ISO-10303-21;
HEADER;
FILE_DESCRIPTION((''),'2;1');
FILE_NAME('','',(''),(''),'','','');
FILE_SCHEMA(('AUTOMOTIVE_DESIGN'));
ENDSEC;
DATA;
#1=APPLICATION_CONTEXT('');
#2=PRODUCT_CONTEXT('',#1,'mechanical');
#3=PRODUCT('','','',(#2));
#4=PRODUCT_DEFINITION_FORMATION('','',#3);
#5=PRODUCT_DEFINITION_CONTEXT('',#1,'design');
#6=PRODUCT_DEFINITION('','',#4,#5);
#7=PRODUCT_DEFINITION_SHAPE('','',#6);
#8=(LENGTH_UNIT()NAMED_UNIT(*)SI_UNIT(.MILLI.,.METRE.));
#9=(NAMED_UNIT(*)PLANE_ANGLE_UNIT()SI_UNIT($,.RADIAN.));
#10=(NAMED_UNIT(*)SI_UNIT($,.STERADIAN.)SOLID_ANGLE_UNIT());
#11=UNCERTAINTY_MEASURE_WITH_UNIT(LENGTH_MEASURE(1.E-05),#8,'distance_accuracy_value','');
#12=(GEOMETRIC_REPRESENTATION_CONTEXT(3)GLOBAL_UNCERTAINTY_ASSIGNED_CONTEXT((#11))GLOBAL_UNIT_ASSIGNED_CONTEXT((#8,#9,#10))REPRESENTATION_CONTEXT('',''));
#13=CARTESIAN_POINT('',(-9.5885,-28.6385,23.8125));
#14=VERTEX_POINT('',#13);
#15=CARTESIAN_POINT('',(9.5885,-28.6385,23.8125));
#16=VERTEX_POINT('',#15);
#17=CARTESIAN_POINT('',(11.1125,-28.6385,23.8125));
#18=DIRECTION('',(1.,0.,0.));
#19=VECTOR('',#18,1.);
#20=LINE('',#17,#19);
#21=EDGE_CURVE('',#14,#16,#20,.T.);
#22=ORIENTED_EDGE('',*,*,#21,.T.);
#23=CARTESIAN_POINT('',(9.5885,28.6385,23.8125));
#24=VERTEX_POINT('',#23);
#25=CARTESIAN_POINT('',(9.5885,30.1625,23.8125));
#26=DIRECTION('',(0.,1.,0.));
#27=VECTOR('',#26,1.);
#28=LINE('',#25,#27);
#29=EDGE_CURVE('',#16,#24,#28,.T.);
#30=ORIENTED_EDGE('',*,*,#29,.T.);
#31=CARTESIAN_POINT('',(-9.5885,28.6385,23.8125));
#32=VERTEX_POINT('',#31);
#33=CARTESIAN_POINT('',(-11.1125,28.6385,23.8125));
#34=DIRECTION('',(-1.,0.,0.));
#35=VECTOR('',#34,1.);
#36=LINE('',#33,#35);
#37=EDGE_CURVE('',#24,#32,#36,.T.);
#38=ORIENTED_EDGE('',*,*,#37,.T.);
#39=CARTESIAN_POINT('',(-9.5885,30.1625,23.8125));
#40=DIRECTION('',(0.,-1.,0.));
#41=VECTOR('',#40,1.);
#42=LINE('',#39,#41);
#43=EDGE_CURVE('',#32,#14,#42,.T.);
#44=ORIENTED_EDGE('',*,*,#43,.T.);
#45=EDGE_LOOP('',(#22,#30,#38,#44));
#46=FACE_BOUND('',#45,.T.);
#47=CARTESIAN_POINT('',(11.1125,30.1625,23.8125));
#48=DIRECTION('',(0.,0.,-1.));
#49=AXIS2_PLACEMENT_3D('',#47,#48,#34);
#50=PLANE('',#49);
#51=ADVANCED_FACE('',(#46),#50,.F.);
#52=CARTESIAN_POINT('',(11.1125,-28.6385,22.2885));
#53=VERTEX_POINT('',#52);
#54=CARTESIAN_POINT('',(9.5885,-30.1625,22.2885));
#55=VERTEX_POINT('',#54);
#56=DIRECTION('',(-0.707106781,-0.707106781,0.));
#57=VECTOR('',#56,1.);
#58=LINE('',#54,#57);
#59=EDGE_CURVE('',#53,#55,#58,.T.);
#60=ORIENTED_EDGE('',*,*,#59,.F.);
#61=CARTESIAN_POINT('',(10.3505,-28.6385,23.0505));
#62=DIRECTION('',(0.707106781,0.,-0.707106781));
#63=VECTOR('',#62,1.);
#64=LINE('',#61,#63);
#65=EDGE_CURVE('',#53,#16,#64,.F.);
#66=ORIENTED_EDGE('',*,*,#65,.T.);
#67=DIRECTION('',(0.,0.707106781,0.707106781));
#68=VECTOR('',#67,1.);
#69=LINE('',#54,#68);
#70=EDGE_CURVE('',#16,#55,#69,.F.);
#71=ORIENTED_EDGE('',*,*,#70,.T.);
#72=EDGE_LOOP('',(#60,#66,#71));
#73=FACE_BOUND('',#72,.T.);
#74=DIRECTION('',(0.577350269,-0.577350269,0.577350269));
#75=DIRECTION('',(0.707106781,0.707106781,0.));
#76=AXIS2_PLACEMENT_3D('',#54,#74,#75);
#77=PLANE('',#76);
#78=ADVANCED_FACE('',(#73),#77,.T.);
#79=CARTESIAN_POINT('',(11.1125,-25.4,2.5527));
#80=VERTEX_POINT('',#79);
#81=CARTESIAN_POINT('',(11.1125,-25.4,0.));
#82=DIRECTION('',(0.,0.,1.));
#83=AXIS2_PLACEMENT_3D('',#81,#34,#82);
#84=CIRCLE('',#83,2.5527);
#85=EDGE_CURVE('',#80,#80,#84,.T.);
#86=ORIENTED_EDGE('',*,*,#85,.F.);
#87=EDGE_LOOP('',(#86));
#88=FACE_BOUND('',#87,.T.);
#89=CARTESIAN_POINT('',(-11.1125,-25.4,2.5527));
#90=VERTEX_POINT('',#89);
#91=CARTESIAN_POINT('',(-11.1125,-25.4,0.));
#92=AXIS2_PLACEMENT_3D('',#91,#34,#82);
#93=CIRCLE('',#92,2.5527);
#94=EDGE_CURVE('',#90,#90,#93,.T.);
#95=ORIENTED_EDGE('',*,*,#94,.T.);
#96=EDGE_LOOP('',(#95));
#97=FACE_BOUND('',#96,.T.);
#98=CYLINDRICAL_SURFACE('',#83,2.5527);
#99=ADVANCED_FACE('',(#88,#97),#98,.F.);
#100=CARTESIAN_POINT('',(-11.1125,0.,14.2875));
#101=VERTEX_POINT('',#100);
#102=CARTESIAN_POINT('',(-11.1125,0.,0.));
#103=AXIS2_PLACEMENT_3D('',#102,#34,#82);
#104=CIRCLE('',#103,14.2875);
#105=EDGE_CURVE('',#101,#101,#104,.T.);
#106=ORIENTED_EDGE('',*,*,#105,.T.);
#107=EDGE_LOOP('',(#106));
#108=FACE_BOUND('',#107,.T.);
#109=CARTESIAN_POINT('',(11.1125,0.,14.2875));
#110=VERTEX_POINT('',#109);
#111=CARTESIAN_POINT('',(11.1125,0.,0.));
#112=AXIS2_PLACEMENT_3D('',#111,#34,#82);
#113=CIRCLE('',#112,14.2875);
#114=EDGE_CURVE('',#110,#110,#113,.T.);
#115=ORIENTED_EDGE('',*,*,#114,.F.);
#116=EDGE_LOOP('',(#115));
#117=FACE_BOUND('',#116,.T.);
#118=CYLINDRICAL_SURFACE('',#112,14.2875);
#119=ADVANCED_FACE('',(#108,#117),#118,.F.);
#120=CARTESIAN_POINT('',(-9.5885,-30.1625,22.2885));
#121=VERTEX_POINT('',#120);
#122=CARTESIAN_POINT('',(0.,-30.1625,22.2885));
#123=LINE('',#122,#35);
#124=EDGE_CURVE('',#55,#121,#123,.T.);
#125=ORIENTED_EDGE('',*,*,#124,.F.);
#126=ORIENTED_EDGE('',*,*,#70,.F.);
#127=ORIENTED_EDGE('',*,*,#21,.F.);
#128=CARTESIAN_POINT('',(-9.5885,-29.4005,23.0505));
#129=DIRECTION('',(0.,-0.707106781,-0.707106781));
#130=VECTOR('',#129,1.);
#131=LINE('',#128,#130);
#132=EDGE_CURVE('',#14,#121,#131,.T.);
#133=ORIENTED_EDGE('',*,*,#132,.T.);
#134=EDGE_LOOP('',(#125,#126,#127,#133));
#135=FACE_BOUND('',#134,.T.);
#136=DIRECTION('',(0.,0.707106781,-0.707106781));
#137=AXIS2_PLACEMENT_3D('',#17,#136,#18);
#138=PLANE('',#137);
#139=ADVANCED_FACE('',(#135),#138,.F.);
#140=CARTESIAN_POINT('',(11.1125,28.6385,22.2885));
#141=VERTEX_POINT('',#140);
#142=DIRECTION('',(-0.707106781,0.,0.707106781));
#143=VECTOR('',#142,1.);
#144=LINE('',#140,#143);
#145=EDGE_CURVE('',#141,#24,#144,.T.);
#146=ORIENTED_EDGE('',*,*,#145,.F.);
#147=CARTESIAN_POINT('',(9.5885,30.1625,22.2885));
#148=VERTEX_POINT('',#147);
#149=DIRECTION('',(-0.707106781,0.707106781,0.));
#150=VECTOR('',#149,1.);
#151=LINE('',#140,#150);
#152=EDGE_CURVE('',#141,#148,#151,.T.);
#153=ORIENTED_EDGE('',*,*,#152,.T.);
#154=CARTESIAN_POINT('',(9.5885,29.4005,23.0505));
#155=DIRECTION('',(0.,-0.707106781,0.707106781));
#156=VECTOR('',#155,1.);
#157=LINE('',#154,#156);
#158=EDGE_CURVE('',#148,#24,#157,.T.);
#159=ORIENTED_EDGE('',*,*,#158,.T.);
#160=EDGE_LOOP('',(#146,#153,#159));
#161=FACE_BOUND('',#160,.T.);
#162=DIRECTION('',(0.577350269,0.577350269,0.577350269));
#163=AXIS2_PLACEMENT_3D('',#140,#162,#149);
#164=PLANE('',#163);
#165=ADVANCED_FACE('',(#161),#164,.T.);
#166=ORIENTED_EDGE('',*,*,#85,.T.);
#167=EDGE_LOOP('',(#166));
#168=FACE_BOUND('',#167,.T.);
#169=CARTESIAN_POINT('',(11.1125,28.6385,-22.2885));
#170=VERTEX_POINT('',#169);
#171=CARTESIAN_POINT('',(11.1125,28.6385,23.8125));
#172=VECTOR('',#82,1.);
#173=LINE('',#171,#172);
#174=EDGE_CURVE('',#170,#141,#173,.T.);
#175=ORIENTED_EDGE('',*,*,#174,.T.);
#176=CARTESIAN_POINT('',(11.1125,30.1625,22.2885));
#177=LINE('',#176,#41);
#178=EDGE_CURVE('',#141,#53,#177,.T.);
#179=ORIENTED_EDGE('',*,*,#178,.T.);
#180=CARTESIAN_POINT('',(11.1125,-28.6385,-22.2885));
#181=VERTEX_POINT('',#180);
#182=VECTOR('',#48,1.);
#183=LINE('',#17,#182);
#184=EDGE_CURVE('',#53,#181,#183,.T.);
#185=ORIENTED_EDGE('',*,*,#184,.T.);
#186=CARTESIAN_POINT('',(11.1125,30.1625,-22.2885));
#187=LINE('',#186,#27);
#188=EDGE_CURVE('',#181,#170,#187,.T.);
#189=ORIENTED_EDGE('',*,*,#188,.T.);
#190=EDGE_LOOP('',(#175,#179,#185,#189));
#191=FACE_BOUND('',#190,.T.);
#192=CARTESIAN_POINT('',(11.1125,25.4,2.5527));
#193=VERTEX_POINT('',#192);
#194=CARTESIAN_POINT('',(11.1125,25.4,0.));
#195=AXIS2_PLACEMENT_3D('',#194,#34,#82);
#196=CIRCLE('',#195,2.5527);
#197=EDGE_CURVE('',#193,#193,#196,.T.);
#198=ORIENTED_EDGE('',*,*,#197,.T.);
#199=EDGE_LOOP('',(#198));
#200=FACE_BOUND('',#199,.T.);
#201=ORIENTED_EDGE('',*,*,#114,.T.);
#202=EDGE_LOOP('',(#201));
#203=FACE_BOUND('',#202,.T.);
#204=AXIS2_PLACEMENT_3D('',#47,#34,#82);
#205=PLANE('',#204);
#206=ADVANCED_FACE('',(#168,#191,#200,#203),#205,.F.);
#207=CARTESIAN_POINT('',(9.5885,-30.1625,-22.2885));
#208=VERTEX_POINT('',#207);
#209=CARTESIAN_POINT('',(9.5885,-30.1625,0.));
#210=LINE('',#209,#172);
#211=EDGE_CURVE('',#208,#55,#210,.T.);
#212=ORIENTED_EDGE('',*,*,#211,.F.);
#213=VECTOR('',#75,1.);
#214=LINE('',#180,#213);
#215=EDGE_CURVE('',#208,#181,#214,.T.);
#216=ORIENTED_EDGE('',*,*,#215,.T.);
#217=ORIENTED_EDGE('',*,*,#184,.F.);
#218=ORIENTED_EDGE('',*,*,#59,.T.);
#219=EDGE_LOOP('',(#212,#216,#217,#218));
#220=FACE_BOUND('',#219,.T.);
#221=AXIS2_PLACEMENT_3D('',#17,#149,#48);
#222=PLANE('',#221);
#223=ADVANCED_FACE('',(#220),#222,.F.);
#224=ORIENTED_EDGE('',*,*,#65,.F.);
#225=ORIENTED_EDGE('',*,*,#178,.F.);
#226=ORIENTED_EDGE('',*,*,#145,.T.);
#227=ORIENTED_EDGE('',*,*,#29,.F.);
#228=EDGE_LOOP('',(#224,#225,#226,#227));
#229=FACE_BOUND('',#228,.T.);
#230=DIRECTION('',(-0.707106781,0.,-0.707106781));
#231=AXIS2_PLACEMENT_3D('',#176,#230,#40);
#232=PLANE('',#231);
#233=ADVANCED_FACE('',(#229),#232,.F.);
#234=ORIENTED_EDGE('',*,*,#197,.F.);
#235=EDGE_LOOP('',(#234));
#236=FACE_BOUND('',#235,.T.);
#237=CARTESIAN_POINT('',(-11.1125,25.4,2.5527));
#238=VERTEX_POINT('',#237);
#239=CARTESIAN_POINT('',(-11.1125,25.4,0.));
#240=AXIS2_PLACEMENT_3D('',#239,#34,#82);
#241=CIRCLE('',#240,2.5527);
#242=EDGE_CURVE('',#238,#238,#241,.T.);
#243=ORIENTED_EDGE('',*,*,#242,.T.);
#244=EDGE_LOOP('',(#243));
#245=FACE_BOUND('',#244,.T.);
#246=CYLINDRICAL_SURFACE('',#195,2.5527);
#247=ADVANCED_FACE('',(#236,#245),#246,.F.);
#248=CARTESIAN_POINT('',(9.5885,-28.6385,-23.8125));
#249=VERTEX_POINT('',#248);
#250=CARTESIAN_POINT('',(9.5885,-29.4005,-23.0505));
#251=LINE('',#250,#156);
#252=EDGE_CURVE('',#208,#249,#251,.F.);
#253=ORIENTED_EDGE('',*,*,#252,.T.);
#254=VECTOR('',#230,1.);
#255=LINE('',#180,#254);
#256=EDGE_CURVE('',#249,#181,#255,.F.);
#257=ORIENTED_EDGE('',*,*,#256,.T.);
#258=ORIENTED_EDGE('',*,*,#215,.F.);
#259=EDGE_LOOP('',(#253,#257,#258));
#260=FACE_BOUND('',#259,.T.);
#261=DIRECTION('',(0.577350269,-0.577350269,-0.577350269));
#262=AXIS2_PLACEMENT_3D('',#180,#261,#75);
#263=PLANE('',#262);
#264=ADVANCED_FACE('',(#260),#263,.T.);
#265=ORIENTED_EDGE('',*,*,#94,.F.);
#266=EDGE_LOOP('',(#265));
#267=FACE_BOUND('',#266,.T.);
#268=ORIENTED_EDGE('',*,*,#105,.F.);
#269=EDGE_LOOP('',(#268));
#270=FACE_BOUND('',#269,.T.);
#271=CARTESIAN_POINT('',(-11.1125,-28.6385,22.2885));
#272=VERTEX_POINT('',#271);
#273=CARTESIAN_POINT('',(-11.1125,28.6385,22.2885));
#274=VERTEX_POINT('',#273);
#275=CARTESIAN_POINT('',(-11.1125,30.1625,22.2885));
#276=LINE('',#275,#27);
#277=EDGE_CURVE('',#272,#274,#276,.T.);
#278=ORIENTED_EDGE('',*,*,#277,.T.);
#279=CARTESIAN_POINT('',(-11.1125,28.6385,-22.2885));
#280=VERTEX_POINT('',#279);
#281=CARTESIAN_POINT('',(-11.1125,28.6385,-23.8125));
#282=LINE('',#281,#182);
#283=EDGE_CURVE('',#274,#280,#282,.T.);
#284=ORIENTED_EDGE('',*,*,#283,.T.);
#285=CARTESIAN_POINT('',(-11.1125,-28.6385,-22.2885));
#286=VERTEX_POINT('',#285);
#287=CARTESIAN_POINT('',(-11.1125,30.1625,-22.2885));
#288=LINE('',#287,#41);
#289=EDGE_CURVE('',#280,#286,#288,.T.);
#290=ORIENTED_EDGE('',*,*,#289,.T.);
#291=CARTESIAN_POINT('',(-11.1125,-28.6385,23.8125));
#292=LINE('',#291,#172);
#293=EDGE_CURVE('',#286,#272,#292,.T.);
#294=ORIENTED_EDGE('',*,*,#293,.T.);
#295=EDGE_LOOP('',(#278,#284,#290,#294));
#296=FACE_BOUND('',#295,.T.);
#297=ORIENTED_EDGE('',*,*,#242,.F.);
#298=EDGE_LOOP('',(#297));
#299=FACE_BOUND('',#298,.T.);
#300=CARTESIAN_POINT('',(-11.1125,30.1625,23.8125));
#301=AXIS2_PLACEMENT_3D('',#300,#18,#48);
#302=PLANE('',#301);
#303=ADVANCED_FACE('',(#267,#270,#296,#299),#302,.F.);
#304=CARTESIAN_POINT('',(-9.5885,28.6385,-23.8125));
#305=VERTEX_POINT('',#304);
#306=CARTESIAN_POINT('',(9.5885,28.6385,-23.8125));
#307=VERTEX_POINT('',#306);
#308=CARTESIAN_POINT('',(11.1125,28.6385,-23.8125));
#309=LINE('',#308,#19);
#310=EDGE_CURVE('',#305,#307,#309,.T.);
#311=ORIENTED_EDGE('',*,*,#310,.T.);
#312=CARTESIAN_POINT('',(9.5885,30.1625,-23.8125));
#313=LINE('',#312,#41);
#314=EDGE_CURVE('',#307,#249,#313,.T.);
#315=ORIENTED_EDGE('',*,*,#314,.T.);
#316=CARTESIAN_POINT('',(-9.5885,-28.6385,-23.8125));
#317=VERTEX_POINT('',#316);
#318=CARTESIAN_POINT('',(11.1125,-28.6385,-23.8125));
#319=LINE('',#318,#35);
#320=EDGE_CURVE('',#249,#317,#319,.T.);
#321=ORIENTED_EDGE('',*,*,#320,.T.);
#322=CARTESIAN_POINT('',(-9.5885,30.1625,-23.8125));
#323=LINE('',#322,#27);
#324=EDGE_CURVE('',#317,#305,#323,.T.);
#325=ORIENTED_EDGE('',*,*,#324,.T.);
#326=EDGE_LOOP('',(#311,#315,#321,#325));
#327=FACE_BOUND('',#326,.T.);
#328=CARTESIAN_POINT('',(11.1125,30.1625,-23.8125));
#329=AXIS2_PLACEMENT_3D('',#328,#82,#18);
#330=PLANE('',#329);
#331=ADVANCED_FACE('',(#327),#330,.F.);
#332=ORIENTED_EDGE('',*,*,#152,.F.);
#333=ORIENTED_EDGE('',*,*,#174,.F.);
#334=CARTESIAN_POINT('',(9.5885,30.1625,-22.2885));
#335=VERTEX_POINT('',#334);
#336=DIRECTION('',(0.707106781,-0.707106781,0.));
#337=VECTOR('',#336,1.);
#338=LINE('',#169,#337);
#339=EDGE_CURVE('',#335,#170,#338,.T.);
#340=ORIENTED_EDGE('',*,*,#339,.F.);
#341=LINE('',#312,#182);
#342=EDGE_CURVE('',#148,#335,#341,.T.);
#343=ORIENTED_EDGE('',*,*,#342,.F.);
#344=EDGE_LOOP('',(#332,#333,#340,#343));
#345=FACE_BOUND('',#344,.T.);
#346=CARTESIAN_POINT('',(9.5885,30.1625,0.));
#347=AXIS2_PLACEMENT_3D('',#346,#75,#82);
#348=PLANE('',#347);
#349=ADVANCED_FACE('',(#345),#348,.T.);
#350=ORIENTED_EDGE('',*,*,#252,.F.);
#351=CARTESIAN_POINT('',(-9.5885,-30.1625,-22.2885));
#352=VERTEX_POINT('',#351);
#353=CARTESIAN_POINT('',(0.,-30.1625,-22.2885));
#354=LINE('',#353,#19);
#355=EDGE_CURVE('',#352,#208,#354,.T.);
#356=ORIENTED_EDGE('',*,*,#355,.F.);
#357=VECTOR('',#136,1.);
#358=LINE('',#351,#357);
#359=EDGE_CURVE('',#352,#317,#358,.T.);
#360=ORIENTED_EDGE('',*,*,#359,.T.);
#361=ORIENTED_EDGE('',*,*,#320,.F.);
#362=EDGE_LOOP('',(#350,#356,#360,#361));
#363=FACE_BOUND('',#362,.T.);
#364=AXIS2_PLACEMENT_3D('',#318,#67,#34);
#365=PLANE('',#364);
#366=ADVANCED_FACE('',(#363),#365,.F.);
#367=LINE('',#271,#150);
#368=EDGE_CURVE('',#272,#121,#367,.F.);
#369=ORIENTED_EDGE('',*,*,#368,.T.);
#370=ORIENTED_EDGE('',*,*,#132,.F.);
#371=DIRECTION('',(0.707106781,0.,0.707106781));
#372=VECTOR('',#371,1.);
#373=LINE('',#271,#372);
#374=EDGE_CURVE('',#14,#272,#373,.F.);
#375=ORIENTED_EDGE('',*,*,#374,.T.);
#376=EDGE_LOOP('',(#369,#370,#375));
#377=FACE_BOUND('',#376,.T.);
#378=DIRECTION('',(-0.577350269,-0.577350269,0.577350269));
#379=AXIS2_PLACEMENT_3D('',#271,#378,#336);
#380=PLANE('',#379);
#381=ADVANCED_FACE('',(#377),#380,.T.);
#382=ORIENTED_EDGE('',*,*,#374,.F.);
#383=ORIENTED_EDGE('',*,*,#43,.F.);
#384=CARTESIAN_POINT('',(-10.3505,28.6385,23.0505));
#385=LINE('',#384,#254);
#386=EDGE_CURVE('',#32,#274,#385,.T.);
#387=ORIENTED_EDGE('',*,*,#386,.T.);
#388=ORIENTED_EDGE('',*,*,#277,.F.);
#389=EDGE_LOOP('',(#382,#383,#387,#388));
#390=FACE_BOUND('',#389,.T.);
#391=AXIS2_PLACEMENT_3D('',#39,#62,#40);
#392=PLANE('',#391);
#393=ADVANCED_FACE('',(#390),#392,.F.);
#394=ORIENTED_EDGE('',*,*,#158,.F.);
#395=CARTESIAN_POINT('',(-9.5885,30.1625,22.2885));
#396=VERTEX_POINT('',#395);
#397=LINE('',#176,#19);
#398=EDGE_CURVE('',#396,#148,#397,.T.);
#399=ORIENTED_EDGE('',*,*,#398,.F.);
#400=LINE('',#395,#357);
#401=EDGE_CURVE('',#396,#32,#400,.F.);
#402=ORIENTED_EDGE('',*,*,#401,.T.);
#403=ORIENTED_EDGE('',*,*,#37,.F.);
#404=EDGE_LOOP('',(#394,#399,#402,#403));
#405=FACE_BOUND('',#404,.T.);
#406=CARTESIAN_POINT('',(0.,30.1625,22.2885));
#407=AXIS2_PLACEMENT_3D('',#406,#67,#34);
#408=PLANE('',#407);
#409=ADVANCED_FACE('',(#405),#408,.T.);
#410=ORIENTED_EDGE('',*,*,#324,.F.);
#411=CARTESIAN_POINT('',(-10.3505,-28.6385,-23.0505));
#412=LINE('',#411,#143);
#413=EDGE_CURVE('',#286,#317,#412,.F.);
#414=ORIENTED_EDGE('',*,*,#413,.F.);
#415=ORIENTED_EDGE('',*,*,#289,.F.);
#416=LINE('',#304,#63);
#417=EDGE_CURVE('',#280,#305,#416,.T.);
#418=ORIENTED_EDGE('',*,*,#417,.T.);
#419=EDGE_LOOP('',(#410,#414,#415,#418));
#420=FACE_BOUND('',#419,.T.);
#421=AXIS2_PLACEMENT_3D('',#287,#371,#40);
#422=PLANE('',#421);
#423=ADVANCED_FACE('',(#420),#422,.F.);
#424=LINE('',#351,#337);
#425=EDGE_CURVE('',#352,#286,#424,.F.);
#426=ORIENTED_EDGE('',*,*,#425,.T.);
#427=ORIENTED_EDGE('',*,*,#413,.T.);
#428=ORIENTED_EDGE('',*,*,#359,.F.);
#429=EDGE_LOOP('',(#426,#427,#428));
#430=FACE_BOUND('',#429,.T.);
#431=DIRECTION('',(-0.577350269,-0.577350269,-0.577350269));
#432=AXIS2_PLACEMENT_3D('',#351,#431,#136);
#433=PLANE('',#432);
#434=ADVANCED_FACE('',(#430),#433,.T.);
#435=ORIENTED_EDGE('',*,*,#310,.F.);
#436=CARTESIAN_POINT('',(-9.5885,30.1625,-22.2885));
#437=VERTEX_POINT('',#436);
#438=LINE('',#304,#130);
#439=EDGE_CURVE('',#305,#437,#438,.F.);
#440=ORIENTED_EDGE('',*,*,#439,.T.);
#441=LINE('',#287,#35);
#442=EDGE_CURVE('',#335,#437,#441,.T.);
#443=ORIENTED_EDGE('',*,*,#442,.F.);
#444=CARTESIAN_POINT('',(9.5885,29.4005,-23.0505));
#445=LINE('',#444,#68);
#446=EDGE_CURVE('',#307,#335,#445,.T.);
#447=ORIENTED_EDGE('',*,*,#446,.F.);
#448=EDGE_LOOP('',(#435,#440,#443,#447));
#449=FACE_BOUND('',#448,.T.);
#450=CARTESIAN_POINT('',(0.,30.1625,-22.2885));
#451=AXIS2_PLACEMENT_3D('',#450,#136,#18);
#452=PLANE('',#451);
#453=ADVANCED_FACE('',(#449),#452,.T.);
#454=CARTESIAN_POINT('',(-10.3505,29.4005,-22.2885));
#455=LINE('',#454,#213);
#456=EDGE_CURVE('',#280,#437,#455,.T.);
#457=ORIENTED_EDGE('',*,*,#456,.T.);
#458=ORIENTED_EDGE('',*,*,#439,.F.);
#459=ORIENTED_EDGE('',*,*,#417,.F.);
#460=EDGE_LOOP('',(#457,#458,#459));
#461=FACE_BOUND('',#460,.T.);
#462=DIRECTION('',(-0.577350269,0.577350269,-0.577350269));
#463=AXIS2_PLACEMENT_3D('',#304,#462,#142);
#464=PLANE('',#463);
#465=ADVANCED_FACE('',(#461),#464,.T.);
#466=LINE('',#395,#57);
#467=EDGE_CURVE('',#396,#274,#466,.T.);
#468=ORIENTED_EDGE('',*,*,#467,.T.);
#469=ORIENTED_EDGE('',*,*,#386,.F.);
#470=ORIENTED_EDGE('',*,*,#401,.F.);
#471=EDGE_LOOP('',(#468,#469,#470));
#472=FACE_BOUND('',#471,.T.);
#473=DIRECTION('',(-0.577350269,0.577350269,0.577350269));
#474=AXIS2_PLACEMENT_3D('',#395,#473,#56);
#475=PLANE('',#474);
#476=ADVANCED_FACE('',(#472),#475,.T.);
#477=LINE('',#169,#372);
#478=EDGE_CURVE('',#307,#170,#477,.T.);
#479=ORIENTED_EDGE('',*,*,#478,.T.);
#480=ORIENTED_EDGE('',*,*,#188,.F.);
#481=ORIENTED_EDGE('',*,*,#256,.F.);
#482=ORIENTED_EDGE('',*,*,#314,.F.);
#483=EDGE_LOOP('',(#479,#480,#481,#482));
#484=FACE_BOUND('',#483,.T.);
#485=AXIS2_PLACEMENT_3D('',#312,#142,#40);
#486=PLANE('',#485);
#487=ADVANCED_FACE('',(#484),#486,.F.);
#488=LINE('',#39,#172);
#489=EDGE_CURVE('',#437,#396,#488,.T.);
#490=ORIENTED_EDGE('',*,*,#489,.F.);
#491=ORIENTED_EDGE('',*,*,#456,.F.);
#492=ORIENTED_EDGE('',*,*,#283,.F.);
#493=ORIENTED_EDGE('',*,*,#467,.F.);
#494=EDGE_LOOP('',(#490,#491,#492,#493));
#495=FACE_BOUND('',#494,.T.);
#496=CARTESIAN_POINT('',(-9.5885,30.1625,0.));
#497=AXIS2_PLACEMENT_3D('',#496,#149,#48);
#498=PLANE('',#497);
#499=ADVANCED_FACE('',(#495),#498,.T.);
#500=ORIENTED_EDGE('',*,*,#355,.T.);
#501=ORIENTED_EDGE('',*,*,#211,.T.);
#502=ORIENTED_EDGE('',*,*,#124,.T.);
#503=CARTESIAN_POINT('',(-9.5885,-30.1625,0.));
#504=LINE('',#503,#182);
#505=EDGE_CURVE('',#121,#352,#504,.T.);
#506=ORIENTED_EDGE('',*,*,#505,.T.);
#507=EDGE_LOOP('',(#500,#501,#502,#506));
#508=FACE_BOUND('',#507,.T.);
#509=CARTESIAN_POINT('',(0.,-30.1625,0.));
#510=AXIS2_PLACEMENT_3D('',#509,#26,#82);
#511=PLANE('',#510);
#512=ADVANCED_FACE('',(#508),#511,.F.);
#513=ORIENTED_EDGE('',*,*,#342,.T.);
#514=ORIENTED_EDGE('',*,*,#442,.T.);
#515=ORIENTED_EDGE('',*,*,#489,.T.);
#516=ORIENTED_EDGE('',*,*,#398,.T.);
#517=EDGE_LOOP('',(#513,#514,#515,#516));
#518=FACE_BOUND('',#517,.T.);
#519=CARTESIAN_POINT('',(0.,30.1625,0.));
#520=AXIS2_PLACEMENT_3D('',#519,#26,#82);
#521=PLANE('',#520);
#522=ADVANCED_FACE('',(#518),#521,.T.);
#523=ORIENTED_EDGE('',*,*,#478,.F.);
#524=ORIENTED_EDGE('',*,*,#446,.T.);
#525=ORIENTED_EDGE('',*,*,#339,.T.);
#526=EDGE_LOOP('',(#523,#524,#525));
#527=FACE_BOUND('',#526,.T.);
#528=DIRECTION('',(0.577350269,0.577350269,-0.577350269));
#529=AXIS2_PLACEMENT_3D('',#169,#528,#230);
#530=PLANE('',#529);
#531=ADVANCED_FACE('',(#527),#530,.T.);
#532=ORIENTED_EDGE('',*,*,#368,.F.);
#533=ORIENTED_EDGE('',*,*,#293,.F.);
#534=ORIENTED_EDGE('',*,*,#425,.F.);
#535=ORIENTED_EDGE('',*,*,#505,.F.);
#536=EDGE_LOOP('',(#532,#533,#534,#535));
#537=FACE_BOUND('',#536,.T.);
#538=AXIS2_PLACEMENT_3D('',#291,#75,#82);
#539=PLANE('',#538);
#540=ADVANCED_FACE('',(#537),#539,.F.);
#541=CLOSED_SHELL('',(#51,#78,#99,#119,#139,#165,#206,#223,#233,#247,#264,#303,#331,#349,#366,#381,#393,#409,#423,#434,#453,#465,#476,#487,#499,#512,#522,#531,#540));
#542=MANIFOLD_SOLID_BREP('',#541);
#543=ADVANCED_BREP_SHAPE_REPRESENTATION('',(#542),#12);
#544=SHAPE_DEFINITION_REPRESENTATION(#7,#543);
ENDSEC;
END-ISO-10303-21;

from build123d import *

# Parameters (mm, degrees)
SKETCH1_W           = 22.225
SKETCH1_H           = 47.625
BOSS_EXTRUDE1_DEPTH = 30.1625
SKETCH2_R           = 14.2875
SKETCH2_R_2         = 2.5527
CUT_EXTRUDE1_DEPTH  = 45.393267367
CHAMFER1_SIZE       = 1.524


with BuildPart() as part:
    # Sketch1 → Boss-Extrude1 (new, symmetric)
    with BuildSketch(Plane(origin=(0, 0, 0), x_dir=(1, 0, 0), z_dir=(0, 1, 0))):
        Rectangle(SKETCH1_W, SKETCH1_H)
    extrude(amount=BOSS_EXTRUDE1_DEPTH, both=True)

    # Sketch2 → Cut-Extrude1 (cut, through all)
    with BuildSketch(Plane.ZY.offset(11.1125)):
        Circle(SKETCH2_R)
        with Locations((0, 25.4)):
            Circle(SKETCH2_R_2)
        with Locations((0, -25.4)):
            Circle(SKETCH2_R_2)
    extrude(amount=-CUT_EXTRUDE1_DEPTH, mode=Mode.SUBTRACT)

    # Chamfer1
    chamfer1_edges = [part.edges().sort_by_distance(p)[0] for p in [
        (11.1125, 30.1625, 0),
        (0, 30.1625, -23.8125),
        (-11.1125, 30.1625, 0),
        (0, -30.1625, -23.8125),
        (11.1125, -30.1625, 0),
        (0, -30.1625, 23.8125),
        (-11.1125, -30.1625, 0),
        (-11.1125, 0, -23.8125),
        (11.1125, 0, -23.8125),
        (11.1125, 0, 23.8125),
        (-11.1125, 0, 23.8125),
        (0, 30.1625, 23.8125),
    ]]
    chamfer(chamfer1_edges, length=CHAMFER1_SIZE)


solid = part.part
